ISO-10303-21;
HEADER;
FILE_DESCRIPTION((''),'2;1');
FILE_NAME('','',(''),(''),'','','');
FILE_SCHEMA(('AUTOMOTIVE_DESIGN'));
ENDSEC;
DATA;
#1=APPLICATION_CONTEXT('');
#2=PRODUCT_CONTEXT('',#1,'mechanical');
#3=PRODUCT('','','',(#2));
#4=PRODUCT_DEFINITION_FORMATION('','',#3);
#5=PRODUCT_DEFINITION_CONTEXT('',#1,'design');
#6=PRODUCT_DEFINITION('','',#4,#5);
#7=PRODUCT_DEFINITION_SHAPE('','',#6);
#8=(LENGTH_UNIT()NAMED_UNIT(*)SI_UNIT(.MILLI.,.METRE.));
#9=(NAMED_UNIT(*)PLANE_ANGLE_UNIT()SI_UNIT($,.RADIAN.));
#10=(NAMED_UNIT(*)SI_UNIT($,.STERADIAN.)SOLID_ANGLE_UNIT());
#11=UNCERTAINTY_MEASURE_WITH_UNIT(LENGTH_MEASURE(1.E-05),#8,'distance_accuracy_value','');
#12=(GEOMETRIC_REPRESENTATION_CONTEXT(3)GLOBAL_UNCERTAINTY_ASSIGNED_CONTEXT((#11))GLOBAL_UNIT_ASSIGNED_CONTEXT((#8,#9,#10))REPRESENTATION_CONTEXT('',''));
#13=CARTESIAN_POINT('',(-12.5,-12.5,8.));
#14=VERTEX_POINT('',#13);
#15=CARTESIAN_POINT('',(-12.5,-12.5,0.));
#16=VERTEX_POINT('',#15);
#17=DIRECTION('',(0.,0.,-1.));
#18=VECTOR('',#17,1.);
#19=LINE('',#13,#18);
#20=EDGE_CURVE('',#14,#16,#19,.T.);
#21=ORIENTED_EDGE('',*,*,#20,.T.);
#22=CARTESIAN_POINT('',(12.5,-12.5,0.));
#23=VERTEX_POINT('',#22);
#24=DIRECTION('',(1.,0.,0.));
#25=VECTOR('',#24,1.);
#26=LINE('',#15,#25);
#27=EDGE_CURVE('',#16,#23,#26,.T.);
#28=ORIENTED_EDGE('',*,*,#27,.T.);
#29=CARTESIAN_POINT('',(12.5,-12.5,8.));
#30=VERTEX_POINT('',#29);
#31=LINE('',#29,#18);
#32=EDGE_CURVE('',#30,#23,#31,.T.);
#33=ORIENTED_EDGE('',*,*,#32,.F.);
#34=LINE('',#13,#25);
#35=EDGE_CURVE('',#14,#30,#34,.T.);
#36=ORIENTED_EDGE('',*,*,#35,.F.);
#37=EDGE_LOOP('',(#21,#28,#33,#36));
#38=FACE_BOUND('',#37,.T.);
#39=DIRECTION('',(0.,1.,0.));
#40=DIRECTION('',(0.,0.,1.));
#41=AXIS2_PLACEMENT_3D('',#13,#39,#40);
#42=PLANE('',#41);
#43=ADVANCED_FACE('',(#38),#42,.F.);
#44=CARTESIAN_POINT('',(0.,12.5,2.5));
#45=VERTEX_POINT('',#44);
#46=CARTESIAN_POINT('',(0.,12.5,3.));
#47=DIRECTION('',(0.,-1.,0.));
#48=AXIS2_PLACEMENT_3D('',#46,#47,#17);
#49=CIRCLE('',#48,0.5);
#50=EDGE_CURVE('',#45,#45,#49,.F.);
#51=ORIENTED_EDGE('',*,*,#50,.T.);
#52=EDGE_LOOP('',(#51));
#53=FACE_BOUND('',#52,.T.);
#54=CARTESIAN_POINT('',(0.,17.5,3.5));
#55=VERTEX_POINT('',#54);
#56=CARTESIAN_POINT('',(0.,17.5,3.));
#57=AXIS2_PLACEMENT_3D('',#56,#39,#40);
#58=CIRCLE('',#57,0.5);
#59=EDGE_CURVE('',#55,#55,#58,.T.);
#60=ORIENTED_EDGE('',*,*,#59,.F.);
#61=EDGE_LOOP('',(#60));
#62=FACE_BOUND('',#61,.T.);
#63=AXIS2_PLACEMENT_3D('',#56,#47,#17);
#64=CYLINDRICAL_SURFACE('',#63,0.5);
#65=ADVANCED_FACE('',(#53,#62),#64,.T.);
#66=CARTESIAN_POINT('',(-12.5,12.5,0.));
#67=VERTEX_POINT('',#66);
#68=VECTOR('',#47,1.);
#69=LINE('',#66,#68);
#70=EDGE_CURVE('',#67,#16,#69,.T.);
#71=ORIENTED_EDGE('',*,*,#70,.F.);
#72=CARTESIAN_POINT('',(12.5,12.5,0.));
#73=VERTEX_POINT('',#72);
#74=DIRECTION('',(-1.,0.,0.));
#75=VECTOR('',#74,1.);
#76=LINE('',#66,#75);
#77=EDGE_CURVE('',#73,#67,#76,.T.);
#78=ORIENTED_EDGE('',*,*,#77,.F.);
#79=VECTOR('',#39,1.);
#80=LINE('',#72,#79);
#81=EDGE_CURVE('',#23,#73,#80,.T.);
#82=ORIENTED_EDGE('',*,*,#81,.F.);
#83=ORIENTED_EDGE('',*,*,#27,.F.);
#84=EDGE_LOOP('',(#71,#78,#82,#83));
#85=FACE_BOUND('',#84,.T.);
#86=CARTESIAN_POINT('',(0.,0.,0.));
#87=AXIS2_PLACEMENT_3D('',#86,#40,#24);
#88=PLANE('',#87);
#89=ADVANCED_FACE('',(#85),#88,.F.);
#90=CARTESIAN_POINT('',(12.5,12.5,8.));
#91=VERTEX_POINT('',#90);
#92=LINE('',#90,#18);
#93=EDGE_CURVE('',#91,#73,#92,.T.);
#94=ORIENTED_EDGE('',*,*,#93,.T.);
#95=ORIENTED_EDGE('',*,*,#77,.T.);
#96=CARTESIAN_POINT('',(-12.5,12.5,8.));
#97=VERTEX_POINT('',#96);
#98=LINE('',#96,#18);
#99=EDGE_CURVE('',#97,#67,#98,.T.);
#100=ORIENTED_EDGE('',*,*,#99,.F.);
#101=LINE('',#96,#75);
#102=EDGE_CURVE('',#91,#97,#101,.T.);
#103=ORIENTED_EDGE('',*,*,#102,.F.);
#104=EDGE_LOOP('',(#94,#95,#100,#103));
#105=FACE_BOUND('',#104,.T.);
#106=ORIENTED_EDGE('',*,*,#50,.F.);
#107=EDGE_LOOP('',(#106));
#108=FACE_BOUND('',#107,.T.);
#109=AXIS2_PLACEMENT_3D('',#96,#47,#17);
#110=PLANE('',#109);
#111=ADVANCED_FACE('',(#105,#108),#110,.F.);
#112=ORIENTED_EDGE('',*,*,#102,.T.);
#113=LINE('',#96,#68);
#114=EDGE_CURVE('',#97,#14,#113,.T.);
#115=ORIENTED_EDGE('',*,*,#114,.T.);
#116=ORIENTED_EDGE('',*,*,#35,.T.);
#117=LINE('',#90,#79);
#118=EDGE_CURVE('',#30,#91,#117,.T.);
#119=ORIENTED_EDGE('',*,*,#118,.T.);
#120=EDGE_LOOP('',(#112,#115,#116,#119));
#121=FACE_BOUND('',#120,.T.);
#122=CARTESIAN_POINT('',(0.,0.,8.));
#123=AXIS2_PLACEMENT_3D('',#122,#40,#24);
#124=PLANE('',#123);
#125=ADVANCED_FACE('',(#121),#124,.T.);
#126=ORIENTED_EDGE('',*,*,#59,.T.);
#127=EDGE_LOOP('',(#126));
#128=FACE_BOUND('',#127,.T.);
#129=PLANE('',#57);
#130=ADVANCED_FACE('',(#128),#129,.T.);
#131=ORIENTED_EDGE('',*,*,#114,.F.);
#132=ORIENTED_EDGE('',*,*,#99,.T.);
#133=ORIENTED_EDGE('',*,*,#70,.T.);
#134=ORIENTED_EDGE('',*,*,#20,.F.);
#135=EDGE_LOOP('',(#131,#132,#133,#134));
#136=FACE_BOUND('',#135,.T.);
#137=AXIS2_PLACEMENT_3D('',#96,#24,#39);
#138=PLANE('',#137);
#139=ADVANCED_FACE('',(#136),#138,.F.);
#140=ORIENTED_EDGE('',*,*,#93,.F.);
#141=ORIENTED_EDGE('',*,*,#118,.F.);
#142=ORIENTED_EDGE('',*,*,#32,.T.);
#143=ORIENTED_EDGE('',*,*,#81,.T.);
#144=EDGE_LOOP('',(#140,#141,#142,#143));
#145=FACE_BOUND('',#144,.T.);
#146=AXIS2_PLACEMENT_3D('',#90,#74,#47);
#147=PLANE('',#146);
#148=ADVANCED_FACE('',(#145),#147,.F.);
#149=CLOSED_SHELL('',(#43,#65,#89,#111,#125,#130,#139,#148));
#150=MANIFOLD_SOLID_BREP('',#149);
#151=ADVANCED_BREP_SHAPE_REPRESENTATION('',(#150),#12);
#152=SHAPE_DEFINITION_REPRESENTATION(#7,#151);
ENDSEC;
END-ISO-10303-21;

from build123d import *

# Parameters (mm, degrees)
SKETCH1_W           = 25
SKETCH1_H           = 25
BOSS_EXTRUDE1_DEPTH = 8
SKETCH2_R           = 0.5
BOSS_EXTRUDE2_DEPTH = 5


with BuildPart() as part:
    # Sketch1 → Boss-Extrude1 (new body)
    with BuildSketch(Plane.XY):
        Rectangle(SKETCH1_W, SKETCH1_H)
    extrude(amount=BOSS_EXTRUDE1_DEPTH)

    # Sketch2 → Boss-Extrude2 (add)
    with BuildSketch(Plane(origin=(0, 12.5, 0), x_dir=(1, 0, 0), z_dir=(0, 1, 0))):
        with Locations((0, -3)):
            Circle(SKETCH2_R)
    extrude(amount=BOSS_EXTRUDE2_DEPTH)


solid = part.part
